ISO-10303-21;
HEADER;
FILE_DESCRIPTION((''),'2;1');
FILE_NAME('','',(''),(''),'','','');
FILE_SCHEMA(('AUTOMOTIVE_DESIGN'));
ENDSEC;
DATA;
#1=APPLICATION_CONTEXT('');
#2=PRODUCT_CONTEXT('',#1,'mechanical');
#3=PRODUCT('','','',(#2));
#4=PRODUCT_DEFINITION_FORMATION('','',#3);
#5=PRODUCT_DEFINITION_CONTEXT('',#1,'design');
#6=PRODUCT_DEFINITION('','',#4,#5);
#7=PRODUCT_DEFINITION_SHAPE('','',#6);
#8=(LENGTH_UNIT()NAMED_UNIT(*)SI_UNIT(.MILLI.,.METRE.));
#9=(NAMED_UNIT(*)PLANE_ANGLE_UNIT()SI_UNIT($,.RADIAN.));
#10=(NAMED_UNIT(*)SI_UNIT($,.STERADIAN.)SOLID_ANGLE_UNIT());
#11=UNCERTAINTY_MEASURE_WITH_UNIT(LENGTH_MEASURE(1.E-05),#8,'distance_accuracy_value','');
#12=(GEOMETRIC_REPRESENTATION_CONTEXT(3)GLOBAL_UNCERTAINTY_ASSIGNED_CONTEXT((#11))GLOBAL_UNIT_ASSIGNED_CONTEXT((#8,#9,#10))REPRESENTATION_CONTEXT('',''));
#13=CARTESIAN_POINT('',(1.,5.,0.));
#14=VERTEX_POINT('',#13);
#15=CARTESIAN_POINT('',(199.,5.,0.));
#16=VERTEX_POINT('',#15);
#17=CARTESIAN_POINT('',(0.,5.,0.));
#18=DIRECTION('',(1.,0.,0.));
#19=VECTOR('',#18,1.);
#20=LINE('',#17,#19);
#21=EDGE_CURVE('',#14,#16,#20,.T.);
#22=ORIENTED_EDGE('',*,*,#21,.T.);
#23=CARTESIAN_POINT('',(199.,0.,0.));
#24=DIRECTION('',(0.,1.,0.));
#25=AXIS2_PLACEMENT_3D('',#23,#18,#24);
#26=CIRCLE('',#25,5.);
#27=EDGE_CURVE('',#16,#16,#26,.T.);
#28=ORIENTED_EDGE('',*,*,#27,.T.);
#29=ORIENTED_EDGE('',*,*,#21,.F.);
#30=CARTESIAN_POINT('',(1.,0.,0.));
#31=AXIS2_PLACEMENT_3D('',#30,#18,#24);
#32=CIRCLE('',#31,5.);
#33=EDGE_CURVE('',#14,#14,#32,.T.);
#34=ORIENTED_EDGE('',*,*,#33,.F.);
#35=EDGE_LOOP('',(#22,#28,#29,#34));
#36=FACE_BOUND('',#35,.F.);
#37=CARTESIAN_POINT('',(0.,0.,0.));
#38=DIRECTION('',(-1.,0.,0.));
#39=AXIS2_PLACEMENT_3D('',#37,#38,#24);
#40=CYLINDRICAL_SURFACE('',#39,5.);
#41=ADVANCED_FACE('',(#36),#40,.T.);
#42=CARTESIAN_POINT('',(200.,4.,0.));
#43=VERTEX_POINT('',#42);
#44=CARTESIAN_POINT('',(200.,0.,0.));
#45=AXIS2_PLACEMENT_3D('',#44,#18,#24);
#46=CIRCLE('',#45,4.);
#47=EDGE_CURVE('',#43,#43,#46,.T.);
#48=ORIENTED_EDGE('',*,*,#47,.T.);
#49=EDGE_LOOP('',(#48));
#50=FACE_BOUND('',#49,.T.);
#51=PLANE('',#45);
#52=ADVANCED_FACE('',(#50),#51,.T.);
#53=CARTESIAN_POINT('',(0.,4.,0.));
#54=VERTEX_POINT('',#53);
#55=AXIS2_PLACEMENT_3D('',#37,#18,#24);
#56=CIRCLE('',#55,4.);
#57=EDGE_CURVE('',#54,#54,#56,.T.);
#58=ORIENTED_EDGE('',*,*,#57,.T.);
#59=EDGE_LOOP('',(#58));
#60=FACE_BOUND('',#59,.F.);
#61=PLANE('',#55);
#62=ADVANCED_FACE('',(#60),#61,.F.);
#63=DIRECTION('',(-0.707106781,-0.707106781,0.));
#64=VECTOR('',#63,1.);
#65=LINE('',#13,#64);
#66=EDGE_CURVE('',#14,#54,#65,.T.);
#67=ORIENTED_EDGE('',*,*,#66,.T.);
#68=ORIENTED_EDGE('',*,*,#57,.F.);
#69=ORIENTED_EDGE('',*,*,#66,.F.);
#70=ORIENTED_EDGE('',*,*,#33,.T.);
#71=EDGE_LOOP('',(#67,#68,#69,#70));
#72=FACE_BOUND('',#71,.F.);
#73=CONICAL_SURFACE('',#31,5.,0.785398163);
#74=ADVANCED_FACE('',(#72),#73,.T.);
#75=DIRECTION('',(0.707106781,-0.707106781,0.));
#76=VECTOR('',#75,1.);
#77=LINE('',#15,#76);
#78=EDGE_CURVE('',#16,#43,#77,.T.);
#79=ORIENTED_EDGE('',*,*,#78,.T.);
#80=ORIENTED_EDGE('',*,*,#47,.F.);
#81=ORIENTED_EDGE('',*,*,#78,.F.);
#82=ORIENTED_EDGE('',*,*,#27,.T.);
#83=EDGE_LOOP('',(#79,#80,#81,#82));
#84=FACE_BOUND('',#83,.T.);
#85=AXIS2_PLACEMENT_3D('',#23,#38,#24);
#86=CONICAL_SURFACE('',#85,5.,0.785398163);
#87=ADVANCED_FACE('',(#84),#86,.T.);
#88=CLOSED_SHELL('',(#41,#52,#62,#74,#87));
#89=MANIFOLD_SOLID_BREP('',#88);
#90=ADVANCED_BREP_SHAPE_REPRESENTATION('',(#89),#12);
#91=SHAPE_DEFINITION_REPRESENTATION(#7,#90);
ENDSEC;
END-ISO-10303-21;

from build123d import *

# Parameters (mm, degrees)
F0_R     = 5
F1_DEPTH = 200
F2_SIZE2 = 1
F2_SIZE  = 1


with BuildPart() as f1:
    # F0 (on Right) → F1 (new body)
    with BuildSketch(Plane.YZ):
        Circle(F0_R)
    extrude(amount=F1_DEPTH)

    # F2
    f2_edges = [f1.edges().sort_by_distance(p)[0] for p in [
        (200, -5, 0),
        (0, -5, 0),
    ]]
    chamfer(f2_edges, length=F2_SIZE, length2=F2_SIZE2)


solid = f1.part
